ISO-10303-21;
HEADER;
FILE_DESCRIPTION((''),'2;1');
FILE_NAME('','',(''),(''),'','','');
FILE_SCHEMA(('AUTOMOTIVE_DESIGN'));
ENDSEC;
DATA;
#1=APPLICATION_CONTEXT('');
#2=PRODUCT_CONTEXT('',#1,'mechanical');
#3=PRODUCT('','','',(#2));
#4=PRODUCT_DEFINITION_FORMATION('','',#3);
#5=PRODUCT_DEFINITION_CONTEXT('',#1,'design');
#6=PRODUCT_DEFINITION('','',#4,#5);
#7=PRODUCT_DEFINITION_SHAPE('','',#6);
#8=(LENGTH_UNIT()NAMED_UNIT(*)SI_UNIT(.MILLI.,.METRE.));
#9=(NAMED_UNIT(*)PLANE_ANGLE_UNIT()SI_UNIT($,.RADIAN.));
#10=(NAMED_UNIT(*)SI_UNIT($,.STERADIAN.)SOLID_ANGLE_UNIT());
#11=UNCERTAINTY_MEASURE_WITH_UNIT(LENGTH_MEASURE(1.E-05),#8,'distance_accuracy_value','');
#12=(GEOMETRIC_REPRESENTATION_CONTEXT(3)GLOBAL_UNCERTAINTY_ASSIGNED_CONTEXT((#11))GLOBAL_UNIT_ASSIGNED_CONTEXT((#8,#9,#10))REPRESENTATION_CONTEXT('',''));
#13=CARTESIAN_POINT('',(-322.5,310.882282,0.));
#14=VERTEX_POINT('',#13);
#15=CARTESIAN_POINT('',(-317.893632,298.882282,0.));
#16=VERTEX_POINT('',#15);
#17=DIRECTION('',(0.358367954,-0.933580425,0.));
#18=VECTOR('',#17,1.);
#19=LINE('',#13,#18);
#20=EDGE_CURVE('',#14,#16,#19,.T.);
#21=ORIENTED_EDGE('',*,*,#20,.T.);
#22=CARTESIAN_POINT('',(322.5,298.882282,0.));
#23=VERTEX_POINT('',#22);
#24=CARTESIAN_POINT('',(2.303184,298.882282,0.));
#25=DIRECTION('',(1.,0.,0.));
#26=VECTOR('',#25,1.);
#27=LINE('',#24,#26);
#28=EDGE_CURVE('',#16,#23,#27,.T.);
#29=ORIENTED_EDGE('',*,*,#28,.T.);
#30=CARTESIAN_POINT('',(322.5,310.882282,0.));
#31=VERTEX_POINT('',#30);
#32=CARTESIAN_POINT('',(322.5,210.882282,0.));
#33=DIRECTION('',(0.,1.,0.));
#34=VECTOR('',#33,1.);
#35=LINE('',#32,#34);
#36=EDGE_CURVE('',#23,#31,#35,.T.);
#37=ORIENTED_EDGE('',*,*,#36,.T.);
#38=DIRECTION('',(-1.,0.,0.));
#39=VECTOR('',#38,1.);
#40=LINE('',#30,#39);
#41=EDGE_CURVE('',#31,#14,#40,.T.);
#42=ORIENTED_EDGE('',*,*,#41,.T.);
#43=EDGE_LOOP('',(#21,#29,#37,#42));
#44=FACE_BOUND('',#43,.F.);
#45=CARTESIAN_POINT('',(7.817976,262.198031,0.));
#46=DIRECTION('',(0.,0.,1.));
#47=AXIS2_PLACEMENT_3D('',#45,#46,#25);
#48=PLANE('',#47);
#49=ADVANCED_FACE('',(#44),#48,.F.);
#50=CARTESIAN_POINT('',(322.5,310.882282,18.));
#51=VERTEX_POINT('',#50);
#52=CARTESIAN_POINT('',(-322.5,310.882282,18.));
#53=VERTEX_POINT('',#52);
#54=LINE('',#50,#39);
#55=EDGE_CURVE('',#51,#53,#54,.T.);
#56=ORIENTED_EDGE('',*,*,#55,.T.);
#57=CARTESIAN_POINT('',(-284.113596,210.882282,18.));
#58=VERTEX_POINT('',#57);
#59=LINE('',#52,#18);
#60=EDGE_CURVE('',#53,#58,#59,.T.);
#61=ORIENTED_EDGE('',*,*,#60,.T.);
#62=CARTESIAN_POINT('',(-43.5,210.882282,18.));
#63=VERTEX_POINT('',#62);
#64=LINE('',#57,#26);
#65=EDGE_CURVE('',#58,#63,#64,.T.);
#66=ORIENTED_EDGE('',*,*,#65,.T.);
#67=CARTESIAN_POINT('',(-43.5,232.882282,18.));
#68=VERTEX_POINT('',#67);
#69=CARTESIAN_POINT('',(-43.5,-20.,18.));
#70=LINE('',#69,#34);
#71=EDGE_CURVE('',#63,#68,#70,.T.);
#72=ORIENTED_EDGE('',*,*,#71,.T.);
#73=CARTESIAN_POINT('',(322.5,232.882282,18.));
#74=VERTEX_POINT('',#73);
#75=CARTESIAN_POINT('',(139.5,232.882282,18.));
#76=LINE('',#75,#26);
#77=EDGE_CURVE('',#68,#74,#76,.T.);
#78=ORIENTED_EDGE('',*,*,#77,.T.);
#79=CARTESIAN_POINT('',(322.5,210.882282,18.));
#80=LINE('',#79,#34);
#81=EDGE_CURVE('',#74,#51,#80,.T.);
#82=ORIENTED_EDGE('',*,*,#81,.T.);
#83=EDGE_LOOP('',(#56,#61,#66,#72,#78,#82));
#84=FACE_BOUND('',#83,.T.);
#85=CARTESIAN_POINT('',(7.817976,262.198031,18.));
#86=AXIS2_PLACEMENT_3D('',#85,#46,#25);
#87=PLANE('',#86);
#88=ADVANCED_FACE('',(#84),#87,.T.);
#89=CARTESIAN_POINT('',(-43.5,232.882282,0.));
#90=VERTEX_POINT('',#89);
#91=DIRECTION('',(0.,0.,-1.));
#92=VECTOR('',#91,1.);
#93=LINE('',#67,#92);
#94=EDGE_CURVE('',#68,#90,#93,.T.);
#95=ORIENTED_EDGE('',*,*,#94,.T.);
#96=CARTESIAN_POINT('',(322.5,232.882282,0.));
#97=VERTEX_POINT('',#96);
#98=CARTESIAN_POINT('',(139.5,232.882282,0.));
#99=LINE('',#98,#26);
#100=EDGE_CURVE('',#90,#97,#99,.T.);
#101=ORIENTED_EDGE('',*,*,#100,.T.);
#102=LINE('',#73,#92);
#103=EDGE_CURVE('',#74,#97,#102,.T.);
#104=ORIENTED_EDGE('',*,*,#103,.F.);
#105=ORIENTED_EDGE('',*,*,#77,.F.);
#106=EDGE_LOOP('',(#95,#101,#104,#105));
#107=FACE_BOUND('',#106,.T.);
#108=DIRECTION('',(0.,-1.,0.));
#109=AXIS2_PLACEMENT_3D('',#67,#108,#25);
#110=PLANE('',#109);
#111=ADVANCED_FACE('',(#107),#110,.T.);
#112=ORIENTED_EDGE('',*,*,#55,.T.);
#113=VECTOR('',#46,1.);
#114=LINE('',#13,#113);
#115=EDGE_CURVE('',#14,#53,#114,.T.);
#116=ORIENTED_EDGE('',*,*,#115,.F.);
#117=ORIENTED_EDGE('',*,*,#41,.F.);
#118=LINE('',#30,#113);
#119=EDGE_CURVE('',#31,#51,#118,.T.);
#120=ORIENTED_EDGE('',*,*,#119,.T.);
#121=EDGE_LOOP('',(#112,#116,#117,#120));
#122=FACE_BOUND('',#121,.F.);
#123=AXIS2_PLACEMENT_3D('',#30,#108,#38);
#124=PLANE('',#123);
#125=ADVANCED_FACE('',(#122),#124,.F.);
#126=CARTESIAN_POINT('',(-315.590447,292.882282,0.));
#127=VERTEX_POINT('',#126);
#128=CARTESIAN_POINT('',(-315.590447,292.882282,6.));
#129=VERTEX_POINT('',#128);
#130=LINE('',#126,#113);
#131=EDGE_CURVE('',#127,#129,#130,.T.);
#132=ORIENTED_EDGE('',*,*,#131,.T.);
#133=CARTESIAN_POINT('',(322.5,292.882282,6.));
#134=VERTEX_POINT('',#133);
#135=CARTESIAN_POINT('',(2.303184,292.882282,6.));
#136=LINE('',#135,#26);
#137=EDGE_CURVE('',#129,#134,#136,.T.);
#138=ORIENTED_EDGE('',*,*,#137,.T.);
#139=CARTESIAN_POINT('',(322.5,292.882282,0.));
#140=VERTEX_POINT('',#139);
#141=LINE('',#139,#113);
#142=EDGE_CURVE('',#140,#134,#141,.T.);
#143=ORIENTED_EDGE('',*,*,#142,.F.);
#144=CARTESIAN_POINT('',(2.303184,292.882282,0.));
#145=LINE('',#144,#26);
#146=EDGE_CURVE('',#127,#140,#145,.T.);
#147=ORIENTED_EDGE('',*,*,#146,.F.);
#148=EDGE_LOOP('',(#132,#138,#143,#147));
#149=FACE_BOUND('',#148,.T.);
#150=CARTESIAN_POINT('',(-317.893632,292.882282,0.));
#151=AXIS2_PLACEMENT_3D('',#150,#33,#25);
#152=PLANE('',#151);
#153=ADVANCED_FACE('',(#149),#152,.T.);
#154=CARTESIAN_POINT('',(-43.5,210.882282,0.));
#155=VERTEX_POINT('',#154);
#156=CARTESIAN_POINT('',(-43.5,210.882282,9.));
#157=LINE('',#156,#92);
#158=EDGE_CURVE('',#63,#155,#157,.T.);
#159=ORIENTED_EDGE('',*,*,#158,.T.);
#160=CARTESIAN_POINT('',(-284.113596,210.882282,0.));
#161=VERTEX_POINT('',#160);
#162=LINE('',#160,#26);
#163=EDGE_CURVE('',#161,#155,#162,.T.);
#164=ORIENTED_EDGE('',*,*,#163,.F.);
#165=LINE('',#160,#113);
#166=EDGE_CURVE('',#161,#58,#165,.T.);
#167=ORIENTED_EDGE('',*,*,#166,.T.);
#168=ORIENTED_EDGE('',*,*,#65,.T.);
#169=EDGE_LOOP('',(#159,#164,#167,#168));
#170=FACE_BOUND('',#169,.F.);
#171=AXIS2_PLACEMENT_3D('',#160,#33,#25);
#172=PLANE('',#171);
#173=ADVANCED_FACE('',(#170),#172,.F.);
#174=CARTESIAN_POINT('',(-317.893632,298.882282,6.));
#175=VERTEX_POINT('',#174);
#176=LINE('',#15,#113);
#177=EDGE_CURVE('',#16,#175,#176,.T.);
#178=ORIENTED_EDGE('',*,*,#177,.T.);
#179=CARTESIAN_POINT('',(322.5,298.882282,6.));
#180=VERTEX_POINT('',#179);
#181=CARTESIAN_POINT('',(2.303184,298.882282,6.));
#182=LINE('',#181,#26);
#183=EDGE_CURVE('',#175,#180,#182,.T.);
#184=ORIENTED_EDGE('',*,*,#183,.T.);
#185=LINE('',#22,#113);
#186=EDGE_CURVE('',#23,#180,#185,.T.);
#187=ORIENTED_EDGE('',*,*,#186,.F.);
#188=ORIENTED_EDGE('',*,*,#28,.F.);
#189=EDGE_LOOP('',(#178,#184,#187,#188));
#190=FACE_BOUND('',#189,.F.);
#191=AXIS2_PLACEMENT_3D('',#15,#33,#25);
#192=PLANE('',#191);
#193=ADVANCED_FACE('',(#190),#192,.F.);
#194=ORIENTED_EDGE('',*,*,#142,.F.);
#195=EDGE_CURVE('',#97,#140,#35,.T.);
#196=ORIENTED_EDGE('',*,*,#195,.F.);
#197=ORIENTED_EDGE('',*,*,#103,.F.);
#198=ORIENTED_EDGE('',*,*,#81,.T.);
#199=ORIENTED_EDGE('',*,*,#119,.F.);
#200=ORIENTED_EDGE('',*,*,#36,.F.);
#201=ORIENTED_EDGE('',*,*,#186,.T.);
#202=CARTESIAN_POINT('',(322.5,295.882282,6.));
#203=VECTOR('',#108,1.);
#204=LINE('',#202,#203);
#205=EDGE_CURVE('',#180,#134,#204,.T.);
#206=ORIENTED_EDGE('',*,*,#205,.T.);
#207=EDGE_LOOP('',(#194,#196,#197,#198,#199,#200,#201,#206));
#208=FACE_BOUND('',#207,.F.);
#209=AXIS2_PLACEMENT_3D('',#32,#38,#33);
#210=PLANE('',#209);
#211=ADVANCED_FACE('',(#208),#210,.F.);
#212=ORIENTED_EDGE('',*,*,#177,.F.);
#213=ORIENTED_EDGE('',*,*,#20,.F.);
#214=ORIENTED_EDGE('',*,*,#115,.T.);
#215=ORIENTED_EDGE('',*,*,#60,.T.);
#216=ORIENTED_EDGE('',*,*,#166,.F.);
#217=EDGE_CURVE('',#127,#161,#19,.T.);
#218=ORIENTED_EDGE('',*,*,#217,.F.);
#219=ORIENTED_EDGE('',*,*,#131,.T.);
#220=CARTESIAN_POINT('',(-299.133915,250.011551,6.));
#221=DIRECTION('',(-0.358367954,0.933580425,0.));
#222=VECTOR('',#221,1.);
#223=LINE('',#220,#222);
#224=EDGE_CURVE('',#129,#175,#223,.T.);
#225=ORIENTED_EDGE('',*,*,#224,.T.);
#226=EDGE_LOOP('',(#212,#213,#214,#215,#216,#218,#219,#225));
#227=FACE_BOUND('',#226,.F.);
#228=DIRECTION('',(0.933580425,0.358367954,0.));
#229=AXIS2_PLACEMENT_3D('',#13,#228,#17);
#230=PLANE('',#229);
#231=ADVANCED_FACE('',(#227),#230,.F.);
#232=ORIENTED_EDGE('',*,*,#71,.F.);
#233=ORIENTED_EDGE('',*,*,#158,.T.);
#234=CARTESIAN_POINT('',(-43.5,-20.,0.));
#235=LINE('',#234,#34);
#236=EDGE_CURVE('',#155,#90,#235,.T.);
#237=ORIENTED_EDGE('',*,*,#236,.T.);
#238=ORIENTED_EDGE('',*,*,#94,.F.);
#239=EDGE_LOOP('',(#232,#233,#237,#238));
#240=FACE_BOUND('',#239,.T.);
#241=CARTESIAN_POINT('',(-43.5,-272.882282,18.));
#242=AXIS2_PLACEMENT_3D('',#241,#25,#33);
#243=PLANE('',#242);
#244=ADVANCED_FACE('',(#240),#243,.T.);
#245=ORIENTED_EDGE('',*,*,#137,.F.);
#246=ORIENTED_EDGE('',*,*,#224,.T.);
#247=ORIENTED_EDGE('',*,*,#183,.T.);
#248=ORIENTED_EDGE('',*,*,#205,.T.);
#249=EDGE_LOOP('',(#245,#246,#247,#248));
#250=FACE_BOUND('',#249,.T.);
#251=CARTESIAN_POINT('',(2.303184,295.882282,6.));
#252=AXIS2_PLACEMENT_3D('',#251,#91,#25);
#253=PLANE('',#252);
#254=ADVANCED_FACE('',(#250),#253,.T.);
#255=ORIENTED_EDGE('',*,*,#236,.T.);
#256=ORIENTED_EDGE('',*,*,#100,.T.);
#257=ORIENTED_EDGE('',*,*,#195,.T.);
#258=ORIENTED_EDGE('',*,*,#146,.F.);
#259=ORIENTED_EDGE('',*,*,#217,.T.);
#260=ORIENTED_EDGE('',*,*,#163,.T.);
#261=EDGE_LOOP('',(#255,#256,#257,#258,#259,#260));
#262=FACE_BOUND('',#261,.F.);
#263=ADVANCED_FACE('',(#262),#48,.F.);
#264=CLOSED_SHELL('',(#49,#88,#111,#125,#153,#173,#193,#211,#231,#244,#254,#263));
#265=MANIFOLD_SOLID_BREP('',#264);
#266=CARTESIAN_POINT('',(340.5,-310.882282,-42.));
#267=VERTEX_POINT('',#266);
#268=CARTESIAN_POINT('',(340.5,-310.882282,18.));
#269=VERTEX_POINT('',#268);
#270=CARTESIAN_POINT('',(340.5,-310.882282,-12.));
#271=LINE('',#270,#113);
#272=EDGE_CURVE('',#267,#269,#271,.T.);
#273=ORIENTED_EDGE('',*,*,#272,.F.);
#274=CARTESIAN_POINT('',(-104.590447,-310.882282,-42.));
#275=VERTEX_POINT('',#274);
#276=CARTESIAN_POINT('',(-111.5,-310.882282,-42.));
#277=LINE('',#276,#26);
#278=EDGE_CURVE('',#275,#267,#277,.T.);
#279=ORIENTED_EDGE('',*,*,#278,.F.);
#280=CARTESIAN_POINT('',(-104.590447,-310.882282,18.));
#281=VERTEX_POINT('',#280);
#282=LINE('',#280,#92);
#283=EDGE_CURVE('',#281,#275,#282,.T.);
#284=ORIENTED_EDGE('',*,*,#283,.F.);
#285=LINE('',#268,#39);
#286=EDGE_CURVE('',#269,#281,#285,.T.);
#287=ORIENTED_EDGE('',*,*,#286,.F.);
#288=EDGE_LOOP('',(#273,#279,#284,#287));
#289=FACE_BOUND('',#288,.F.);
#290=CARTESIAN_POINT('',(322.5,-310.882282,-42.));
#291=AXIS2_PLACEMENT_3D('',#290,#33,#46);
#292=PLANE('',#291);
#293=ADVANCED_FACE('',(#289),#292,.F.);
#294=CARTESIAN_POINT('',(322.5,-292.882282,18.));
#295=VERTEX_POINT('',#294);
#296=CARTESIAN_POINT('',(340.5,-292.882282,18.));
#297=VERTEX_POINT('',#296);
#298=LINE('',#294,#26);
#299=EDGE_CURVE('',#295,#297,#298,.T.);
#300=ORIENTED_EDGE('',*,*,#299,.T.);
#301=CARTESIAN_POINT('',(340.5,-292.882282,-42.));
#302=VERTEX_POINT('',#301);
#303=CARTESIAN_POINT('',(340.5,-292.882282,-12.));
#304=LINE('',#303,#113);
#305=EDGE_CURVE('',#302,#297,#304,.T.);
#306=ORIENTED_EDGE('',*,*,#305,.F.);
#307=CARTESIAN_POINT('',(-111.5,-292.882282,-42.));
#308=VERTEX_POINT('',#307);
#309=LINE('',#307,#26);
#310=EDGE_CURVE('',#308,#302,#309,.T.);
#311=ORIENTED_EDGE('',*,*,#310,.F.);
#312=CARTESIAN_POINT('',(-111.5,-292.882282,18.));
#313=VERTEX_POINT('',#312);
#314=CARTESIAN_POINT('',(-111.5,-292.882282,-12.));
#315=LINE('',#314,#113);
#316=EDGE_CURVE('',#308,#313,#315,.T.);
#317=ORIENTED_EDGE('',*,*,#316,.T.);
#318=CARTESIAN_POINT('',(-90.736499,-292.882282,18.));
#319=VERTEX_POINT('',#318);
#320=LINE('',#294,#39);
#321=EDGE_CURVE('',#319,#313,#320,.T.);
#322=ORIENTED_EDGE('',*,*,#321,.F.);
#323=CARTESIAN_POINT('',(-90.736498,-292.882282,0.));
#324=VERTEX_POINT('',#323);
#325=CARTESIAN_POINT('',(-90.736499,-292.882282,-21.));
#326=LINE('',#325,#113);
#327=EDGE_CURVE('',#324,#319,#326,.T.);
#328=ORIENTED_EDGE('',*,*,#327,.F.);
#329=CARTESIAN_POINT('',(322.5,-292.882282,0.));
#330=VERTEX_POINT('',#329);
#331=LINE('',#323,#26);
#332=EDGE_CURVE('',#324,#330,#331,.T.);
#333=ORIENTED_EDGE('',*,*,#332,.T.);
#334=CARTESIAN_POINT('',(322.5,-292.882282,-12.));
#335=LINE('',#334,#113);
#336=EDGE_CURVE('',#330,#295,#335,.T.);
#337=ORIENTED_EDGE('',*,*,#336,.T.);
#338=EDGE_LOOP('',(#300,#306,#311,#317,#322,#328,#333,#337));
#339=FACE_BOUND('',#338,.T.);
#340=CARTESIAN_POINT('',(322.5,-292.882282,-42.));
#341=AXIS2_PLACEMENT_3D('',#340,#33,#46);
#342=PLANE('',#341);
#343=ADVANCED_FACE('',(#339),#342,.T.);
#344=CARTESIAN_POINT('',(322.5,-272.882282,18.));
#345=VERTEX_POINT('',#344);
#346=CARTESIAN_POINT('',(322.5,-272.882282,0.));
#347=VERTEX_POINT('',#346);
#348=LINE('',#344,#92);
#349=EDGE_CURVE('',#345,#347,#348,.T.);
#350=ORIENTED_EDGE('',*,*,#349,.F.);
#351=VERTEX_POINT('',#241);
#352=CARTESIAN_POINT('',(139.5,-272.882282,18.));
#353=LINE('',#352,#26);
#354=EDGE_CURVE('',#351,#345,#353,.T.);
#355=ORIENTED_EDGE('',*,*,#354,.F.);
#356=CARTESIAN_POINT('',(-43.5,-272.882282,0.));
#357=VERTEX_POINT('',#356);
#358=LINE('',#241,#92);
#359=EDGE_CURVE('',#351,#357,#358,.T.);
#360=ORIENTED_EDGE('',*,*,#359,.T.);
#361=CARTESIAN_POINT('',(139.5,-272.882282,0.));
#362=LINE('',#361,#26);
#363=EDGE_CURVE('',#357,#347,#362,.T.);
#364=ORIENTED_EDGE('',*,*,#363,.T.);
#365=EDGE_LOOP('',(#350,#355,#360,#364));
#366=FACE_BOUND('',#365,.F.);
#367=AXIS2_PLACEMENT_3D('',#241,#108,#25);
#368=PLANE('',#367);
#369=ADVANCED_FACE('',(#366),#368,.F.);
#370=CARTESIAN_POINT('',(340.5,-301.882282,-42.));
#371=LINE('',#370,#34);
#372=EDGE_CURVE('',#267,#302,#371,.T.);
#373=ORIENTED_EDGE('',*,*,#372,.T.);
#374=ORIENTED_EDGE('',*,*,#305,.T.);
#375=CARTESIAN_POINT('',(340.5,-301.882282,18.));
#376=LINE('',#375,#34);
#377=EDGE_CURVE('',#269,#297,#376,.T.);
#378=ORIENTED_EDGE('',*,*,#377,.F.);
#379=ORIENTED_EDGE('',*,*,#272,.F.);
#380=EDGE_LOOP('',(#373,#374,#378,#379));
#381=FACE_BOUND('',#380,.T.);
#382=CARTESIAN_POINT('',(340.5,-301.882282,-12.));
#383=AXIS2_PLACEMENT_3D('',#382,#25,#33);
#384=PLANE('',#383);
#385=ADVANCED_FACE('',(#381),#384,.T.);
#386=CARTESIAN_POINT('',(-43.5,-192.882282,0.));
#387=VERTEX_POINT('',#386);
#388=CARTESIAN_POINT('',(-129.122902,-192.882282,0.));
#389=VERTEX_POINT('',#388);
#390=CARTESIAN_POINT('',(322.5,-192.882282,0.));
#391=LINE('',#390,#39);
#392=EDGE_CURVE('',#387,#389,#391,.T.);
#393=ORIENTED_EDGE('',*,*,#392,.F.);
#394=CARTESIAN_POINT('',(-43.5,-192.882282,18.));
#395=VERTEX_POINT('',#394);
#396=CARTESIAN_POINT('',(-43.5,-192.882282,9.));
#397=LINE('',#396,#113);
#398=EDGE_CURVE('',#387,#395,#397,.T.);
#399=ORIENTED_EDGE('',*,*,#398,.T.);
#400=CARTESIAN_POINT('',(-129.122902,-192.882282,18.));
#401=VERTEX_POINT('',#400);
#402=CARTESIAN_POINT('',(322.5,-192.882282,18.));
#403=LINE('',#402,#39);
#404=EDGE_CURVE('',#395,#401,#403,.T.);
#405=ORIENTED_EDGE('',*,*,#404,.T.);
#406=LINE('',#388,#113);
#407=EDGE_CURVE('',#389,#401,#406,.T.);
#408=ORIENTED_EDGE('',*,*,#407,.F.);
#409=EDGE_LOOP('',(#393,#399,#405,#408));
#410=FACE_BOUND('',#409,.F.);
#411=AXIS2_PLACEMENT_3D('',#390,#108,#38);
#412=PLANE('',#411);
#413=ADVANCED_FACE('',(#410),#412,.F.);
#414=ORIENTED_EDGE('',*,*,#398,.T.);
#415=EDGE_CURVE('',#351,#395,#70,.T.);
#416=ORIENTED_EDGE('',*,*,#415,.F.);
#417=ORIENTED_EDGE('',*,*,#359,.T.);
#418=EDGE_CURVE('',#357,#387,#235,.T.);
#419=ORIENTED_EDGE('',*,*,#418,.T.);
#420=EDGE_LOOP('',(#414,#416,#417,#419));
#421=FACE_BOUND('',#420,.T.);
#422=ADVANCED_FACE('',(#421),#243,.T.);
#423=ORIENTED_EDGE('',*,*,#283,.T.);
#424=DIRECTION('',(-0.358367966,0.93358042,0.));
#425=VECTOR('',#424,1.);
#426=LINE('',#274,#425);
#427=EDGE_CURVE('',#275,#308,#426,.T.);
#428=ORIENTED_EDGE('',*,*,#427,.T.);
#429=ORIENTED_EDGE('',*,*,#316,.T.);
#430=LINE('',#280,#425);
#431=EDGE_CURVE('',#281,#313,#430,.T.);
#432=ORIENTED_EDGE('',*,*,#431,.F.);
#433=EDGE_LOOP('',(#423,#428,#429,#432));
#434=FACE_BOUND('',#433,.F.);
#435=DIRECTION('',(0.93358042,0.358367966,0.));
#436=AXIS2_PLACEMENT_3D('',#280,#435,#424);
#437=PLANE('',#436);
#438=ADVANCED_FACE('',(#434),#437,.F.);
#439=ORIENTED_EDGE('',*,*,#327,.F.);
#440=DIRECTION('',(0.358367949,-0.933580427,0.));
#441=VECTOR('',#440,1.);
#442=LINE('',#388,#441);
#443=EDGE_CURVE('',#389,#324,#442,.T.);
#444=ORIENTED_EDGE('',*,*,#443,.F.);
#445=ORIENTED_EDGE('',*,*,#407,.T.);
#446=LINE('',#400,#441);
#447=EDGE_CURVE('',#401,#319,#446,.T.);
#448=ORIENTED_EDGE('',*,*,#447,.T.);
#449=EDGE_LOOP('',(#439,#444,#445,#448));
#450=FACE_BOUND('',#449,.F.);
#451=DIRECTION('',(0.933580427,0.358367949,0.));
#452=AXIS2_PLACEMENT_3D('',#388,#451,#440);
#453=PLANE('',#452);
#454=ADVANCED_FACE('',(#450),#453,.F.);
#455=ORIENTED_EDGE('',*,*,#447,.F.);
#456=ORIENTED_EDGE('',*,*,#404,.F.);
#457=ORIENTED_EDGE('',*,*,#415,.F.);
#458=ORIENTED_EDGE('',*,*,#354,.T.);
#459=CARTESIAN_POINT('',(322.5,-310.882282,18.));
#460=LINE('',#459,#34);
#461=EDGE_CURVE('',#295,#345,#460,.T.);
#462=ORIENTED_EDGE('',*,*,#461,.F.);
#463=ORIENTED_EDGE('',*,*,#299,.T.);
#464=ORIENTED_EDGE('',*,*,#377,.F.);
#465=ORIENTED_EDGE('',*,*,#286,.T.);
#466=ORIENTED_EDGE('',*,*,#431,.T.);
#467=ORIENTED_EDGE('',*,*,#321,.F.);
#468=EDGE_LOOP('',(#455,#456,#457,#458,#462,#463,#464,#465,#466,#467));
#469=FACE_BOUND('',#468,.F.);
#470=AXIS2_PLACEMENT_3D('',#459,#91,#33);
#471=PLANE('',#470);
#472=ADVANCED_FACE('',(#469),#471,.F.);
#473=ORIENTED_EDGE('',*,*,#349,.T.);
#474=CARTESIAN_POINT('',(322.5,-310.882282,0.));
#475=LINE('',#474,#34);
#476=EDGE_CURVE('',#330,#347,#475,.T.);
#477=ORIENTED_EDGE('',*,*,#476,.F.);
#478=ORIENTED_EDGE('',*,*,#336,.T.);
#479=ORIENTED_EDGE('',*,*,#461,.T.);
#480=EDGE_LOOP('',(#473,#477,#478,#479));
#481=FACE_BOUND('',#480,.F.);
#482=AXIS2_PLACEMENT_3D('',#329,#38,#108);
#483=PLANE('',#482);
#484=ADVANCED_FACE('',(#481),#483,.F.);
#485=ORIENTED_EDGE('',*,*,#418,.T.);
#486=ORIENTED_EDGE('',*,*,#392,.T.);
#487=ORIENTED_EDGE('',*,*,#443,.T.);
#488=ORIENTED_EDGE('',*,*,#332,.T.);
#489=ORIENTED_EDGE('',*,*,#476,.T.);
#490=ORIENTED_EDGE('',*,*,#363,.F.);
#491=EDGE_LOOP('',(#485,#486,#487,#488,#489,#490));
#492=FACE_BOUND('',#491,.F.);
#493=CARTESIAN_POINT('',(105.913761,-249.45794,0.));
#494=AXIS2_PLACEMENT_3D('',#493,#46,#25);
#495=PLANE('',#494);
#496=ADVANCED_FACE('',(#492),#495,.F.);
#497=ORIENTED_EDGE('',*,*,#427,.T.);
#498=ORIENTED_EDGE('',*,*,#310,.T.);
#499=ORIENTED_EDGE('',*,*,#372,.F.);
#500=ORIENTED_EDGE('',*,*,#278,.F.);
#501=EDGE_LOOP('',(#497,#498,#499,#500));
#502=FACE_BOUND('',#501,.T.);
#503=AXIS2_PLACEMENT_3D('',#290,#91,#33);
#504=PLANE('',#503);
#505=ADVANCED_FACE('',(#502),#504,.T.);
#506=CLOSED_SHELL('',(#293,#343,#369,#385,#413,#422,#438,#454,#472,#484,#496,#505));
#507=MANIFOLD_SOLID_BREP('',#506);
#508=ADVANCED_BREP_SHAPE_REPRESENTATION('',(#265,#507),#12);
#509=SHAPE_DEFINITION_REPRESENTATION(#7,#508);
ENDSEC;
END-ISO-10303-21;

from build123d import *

# Parameters (mm, degrees)
F1_DEPTH      = 18
F2_W          = 640.393632
F2_H          = 6
F3_DEPTH      = 6
F5_DEPTH      = 42
F6_W          = 18
F6_H          = 60
F7_DEPTH      = 18
F7_DEPTH_BACK = 434
F10_DEPTH     = 60
F9_W          = 366
F9_H          = 505.764564
F11_DEPTH     = 18


with BuildPart() as f1:
    # F0 (on Top) → F1 (new body)
    with BuildSketch(Plane.XY):
        Polygon((322.5, 210.882282), (322.5, 310.882282), (-322.5, 310.882282), (-284.113596, 210.882282), align=None)
        Polygon((-83.826946, -310.882282), (322.5, -310.882282), (322.5, -192.882282), (-129.122902, -192.882282), align=None)
    extrude(amount=F1_DEPTH)

    # F2 (on face) → F3 (cut)
    with BuildSketch(Plane(origin=(0, 0, 0), x_dir=(1, 0, 0), z_dir=(0, 0, -1))):
        with Locations((2.303184, -295.882282)):
            Rectangle(F2_W, F2_H)
    extrude(amount=-F3_DEPTH, mode=Mode.SUBTRACT)

    # F4 (on face) → F5 (join)
    with BuildSketch(Plane(origin=(0, 0, 0), x_dir=(1, 0, 0), z_dir=(0, 0, -1))):
        Polygon((322.5, 310.882282), (-83.826946, 310.882282), (-90.736498, 292.882282), (322.5, 292.882282), align=None)
    extrude(amount=F5_DEPTH)

    # F6 (on face) → F7 (join, two sides)
    with BuildSketch(Plane.YZ.offset(322.5)) as f7_sk:
        with Locations((-301.882282, -12)):
            Rectangle(F6_W, F6_H)
    extrude(amount=F7_DEPTH)
    extrude(f7_sk.sketch, amount=-F7_DEPTH_BACK)

    # F8 (on face) → F10 (cut)
    with BuildSketch(Plane.XY.offset(18)):
        Polygon((-104.590447, -310.882282), (-111.5, -292.882282), (-111.5, -310.882282), align=None)
    extrude(amount=-F10_DEPTH, mode=Mode.SUBTRACT)

    # F9 (on face) → F11 (cut)
    with BuildSketch(Plane.XY.offset(18)):
        with Locations((139.5, -20)):
            Rectangle(F9_W, F9_H)
    extrude(amount=-F11_DEPTH, mode=Mode.SUBTRACT)


solid = f1.part
